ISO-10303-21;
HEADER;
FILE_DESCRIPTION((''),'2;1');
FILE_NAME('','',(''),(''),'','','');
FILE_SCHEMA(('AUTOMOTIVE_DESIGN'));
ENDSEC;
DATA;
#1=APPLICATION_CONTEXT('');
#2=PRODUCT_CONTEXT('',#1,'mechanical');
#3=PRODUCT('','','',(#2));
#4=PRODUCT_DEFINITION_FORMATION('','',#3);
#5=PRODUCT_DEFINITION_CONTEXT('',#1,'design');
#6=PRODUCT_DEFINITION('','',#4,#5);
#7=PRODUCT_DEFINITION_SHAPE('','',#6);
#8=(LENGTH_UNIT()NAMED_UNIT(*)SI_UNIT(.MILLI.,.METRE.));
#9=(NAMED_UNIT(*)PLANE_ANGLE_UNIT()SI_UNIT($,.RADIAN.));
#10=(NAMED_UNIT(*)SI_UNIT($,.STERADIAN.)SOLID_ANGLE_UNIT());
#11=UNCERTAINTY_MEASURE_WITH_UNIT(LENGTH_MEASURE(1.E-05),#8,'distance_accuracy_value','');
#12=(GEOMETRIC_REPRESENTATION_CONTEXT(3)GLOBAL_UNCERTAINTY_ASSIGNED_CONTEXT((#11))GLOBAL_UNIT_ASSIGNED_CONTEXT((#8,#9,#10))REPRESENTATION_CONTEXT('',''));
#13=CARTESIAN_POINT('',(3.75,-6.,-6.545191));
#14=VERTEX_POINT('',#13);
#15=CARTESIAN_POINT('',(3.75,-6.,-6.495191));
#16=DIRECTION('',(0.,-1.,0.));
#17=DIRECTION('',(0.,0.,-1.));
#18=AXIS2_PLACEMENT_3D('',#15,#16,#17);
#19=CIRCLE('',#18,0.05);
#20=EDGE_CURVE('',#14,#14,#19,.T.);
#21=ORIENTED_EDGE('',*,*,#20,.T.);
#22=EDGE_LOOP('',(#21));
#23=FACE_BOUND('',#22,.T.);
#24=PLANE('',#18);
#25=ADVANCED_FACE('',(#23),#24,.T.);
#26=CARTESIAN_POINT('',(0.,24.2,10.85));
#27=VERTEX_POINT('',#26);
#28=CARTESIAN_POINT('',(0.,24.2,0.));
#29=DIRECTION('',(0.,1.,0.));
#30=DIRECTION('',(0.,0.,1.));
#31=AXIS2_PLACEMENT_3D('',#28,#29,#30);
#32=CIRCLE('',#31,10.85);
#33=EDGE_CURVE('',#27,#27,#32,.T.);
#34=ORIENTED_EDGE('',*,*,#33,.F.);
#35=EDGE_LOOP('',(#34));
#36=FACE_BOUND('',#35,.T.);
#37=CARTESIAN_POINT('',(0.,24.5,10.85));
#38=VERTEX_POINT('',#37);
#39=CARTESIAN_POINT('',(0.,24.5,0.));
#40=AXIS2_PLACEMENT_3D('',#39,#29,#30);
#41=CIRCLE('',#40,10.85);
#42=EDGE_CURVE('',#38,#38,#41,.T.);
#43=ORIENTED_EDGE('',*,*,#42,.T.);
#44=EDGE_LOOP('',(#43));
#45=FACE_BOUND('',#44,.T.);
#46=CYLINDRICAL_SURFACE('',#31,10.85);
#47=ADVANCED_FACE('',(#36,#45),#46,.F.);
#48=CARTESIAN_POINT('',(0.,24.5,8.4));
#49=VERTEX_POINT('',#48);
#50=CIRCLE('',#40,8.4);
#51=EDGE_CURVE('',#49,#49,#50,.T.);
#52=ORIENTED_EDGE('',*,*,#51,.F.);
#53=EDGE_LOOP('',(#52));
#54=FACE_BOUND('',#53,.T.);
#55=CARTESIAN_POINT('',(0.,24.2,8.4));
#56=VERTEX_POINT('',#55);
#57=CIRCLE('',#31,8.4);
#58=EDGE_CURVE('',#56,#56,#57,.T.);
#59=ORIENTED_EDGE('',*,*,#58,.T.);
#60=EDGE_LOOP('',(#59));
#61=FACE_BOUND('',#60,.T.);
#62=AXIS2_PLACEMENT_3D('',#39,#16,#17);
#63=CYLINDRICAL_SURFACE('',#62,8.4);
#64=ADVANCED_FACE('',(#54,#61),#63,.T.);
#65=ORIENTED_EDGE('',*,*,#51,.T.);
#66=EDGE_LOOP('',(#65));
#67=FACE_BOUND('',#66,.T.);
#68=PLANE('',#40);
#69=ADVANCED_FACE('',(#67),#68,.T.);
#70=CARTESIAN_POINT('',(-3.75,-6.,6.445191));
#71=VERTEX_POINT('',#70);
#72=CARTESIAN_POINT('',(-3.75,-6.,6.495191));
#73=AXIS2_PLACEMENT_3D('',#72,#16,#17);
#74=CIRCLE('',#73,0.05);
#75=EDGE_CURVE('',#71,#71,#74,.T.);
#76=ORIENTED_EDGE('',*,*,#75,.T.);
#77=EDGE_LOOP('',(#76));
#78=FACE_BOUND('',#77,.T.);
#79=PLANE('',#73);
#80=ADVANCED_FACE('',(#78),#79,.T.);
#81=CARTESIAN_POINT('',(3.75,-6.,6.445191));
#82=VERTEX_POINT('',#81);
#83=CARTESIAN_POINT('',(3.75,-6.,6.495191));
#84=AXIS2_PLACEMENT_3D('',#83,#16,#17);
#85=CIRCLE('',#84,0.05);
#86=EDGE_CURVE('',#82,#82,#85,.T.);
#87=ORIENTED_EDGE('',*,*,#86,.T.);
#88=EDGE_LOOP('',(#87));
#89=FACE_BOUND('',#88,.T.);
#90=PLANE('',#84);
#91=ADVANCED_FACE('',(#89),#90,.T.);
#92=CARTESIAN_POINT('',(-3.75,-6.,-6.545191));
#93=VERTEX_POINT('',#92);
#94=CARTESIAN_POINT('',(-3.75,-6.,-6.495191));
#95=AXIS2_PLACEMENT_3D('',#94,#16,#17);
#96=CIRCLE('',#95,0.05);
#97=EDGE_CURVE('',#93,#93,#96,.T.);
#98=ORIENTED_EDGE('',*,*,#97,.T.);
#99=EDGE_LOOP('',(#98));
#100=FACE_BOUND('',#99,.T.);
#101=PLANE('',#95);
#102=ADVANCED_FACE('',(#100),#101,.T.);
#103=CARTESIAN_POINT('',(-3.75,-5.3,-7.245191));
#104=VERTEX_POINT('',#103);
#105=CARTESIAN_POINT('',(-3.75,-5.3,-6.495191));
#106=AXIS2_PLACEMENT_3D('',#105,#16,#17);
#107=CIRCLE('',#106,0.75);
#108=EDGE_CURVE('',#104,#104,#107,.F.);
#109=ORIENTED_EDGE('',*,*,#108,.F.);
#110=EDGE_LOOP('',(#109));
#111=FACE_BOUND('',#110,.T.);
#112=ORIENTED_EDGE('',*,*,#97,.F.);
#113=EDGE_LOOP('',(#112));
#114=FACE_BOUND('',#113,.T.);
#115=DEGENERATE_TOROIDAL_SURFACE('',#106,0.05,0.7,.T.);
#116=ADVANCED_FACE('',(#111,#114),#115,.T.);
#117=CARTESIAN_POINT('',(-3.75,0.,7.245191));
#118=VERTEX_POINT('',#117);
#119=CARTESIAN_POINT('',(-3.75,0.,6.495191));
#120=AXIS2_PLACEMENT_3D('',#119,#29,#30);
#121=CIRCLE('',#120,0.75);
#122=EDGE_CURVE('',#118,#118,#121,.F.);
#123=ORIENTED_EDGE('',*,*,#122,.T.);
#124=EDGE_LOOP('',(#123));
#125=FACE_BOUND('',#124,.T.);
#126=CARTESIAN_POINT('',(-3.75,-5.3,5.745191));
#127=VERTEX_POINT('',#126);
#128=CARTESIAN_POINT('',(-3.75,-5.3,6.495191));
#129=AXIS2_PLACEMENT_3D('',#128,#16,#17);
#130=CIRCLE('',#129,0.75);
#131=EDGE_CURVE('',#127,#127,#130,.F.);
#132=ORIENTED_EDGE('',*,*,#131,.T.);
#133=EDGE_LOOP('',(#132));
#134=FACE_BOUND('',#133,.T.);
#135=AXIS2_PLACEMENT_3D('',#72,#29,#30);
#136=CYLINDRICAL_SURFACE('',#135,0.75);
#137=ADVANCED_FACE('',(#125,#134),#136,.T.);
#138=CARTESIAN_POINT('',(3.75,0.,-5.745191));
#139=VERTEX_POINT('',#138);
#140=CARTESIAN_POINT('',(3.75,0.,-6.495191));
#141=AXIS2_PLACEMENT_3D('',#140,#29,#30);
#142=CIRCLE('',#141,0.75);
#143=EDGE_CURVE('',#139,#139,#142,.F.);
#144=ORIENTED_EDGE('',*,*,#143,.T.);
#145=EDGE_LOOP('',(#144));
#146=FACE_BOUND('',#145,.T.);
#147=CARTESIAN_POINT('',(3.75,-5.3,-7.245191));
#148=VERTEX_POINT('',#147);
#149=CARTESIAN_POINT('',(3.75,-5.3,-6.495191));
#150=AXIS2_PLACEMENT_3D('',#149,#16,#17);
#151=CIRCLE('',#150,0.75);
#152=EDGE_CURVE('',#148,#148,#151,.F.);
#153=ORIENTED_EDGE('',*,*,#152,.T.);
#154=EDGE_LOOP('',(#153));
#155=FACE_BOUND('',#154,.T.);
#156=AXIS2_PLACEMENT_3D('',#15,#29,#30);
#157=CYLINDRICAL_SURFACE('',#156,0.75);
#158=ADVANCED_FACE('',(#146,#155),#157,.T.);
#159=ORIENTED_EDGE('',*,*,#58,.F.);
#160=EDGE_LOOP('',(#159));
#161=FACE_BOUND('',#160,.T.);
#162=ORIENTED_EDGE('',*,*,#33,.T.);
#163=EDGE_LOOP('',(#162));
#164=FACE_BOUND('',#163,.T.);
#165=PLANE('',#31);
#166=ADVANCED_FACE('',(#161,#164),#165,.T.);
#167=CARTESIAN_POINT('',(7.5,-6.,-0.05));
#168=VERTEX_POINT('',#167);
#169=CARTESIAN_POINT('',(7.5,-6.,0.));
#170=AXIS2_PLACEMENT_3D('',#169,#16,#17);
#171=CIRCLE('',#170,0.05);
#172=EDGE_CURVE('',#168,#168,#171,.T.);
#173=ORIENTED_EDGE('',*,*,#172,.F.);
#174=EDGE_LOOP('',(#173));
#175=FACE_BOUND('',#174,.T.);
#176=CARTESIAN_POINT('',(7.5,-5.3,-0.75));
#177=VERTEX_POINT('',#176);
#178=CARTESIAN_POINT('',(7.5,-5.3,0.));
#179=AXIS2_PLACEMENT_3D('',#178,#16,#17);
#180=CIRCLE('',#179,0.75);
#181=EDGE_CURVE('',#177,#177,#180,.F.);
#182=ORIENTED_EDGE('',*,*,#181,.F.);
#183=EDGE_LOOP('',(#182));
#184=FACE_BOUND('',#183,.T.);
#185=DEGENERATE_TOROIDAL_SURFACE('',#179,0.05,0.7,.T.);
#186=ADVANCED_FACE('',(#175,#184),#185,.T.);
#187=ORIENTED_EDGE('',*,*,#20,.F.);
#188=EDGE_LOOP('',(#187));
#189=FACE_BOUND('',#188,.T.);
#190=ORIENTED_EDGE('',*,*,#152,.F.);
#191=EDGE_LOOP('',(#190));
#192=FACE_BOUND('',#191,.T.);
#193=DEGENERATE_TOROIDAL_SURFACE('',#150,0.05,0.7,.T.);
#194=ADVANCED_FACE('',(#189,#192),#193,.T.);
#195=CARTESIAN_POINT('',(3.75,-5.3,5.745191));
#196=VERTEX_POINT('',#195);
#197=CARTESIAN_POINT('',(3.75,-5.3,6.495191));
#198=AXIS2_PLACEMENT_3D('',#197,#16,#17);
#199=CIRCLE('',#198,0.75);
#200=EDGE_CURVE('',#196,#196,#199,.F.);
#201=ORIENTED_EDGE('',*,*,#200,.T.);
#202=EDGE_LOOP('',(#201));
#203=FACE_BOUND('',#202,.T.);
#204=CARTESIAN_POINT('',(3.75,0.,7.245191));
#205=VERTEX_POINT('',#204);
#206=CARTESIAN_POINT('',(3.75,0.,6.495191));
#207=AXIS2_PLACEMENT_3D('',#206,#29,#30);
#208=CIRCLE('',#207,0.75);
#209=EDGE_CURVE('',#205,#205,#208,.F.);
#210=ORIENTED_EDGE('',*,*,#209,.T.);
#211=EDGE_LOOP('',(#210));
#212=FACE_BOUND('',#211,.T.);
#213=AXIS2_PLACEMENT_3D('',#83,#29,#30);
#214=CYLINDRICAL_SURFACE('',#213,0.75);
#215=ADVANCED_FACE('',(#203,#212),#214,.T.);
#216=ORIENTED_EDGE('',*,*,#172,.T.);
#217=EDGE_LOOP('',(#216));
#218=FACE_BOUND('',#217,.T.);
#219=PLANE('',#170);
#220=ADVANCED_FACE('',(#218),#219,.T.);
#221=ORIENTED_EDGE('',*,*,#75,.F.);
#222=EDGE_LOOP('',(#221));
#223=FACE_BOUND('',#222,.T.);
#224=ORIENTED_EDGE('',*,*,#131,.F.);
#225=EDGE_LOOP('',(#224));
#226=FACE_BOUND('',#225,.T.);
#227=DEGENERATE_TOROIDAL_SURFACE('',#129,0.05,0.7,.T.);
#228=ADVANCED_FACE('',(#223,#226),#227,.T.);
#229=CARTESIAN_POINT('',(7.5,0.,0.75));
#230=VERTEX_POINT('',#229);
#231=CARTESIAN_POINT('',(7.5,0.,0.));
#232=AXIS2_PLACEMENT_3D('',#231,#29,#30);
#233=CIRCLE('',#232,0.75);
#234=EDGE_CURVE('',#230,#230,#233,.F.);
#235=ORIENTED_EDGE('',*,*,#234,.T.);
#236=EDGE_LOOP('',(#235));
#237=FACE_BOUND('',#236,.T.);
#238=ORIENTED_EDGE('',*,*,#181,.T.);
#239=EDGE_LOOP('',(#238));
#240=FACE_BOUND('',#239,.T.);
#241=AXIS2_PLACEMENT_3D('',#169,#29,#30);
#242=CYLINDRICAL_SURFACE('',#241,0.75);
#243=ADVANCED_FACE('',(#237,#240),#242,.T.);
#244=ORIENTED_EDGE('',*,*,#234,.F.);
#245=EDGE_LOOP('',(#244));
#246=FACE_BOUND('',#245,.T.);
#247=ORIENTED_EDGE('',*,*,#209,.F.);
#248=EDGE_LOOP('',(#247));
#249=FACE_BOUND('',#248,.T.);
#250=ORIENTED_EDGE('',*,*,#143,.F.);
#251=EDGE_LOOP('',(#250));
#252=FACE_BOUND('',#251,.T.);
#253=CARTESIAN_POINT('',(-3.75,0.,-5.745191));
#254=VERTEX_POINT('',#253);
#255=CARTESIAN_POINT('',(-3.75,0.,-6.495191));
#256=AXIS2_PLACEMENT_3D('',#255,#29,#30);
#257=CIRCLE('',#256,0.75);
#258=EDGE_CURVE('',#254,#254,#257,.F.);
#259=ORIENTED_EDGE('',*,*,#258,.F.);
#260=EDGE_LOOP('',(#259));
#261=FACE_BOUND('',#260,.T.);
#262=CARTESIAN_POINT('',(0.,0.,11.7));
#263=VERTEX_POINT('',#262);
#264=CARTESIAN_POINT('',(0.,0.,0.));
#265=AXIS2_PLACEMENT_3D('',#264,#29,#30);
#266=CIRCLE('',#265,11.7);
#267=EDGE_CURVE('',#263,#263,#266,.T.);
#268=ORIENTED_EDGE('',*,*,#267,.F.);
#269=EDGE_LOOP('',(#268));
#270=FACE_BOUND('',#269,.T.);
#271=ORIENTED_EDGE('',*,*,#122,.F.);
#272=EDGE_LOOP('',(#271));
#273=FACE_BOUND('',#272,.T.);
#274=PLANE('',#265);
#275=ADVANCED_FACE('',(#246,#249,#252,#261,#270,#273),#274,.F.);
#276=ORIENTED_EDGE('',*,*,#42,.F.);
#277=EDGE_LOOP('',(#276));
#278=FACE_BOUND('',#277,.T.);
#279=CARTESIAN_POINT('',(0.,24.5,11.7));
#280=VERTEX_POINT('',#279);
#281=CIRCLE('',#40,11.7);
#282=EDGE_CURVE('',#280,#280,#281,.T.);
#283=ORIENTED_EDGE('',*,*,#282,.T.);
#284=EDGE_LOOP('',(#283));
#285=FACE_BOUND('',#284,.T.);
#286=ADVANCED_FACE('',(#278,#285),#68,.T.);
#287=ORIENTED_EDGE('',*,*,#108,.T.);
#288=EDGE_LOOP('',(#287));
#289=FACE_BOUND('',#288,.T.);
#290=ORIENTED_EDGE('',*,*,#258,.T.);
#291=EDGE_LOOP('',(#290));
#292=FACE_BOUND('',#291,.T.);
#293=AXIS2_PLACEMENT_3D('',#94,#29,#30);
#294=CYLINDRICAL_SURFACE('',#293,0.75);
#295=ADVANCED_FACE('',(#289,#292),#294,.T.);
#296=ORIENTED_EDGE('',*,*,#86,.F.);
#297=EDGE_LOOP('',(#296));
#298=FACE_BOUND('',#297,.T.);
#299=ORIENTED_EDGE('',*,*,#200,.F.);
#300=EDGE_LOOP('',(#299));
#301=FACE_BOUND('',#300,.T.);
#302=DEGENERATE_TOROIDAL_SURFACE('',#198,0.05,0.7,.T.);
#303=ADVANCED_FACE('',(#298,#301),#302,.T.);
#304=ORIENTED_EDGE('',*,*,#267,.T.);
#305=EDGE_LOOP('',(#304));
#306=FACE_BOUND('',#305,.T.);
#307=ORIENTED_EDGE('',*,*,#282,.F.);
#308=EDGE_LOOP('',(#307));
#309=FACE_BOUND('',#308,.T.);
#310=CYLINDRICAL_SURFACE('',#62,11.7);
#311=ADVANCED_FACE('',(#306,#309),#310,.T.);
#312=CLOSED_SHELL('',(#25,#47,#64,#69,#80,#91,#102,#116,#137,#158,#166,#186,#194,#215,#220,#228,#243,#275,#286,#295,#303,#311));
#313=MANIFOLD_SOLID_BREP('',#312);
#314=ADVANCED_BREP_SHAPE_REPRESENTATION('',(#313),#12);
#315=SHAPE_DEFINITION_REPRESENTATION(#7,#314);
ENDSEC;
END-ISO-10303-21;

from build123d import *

# Parameters (mm, degrees)
SKETCH1_R           = 11.7
BOSS_EXTRUDE1_DEPTH = 24.5
SKETCH2_R           = 10.85
CUT_EXTRUDE1_DEPTH  = 0.3
SKETCH3_R           = 8.4
BOSS_EXTRUDE2_DEPTH = 0.3
SKETCH6_R           = 0.75
BOSS_EXTRUDE3_DEPTH = 6
FILLET12_R          = 0.7


with BuildPart() as part:
    # Sketch1 → Boss-Extrude1 (new body)
    with BuildSketch(Plane(origin=(0, 0, 0), x_dir=(1, 0, 0), z_dir=(0, 1, 0))):
        with Locations(Location((0, 0, 0), (0, 0, 270))):
            Circle(SKETCH1_R)
    extrude(amount=BOSS_EXTRUDE1_DEPTH)

    # Sketch2 → Cut-Extrude1 (cut)
    with BuildSketch(Plane(origin=(0, 24.5, 0), x_dir=(1, 0, 0), z_dir=(0, 1, 0))):
        with Locations(Location((0, 0, 0), (0, 0, 270))):
            Circle(SKETCH2_R)
    extrude(amount=-CUT_EXTRUDE1_DEPTH, mode=Mode.SUBTRACT)

    # Sketch3 → Boss-Extrude2 (add)
    with BuildSketch(Plane(origin=(0, 24.2, 0), x_dir=(1, 0, 0), z_dir=(0, 1, 0))):
        with Locations(Location((0, 0, 0), (0, 0, 270))):
            Circle(SKETCH3_R)
    extrude(amount=BOSS_EXTRUDE2_DEPTH)

    # Sketch6 → Boss-Extrude3 (add)
    with BuildSketch(Plane.XZ):
        with Locations(Location((7.5, 0, 0), (0, 0, 90))):
            Circle(SKETCH6_R)
        with Locations(Location((3.75, 6.495190528, 0), (0, 0, 90))):
            Circle(SKETCH6_R)
        with Locations(Location((-3.75, 6.495190528, 0), (0, 0, 90))):
            Circle(SKETCH6_R)
        with Locations(Location((3.75, -6.495190528, 0), (0, 0, 90))):
            Circle(SKETCH6_R)
        with Locations(Location((-3.75, -6.495190528, 0), (0, 0, 90))):
            Circle(SKETCH6_R)
    extrude(amount=BOSS_EXTRUDE3_DEPTH)

    # Fillet12
    fillet12_edges = [part.edges().sort_by_distance(p)[0] for p in [
        (7.5, -6, -0.75),
        (3.75, -6, 5.745190528),
        (-3.75, -6, 5.745190528),
        (3.75, -6, -7.245190528),
        (-3.75, -6, -7.245190528),
    ]]
    fillet(fillet12_edges, radius=FILLET12_R)


solid = part.part
